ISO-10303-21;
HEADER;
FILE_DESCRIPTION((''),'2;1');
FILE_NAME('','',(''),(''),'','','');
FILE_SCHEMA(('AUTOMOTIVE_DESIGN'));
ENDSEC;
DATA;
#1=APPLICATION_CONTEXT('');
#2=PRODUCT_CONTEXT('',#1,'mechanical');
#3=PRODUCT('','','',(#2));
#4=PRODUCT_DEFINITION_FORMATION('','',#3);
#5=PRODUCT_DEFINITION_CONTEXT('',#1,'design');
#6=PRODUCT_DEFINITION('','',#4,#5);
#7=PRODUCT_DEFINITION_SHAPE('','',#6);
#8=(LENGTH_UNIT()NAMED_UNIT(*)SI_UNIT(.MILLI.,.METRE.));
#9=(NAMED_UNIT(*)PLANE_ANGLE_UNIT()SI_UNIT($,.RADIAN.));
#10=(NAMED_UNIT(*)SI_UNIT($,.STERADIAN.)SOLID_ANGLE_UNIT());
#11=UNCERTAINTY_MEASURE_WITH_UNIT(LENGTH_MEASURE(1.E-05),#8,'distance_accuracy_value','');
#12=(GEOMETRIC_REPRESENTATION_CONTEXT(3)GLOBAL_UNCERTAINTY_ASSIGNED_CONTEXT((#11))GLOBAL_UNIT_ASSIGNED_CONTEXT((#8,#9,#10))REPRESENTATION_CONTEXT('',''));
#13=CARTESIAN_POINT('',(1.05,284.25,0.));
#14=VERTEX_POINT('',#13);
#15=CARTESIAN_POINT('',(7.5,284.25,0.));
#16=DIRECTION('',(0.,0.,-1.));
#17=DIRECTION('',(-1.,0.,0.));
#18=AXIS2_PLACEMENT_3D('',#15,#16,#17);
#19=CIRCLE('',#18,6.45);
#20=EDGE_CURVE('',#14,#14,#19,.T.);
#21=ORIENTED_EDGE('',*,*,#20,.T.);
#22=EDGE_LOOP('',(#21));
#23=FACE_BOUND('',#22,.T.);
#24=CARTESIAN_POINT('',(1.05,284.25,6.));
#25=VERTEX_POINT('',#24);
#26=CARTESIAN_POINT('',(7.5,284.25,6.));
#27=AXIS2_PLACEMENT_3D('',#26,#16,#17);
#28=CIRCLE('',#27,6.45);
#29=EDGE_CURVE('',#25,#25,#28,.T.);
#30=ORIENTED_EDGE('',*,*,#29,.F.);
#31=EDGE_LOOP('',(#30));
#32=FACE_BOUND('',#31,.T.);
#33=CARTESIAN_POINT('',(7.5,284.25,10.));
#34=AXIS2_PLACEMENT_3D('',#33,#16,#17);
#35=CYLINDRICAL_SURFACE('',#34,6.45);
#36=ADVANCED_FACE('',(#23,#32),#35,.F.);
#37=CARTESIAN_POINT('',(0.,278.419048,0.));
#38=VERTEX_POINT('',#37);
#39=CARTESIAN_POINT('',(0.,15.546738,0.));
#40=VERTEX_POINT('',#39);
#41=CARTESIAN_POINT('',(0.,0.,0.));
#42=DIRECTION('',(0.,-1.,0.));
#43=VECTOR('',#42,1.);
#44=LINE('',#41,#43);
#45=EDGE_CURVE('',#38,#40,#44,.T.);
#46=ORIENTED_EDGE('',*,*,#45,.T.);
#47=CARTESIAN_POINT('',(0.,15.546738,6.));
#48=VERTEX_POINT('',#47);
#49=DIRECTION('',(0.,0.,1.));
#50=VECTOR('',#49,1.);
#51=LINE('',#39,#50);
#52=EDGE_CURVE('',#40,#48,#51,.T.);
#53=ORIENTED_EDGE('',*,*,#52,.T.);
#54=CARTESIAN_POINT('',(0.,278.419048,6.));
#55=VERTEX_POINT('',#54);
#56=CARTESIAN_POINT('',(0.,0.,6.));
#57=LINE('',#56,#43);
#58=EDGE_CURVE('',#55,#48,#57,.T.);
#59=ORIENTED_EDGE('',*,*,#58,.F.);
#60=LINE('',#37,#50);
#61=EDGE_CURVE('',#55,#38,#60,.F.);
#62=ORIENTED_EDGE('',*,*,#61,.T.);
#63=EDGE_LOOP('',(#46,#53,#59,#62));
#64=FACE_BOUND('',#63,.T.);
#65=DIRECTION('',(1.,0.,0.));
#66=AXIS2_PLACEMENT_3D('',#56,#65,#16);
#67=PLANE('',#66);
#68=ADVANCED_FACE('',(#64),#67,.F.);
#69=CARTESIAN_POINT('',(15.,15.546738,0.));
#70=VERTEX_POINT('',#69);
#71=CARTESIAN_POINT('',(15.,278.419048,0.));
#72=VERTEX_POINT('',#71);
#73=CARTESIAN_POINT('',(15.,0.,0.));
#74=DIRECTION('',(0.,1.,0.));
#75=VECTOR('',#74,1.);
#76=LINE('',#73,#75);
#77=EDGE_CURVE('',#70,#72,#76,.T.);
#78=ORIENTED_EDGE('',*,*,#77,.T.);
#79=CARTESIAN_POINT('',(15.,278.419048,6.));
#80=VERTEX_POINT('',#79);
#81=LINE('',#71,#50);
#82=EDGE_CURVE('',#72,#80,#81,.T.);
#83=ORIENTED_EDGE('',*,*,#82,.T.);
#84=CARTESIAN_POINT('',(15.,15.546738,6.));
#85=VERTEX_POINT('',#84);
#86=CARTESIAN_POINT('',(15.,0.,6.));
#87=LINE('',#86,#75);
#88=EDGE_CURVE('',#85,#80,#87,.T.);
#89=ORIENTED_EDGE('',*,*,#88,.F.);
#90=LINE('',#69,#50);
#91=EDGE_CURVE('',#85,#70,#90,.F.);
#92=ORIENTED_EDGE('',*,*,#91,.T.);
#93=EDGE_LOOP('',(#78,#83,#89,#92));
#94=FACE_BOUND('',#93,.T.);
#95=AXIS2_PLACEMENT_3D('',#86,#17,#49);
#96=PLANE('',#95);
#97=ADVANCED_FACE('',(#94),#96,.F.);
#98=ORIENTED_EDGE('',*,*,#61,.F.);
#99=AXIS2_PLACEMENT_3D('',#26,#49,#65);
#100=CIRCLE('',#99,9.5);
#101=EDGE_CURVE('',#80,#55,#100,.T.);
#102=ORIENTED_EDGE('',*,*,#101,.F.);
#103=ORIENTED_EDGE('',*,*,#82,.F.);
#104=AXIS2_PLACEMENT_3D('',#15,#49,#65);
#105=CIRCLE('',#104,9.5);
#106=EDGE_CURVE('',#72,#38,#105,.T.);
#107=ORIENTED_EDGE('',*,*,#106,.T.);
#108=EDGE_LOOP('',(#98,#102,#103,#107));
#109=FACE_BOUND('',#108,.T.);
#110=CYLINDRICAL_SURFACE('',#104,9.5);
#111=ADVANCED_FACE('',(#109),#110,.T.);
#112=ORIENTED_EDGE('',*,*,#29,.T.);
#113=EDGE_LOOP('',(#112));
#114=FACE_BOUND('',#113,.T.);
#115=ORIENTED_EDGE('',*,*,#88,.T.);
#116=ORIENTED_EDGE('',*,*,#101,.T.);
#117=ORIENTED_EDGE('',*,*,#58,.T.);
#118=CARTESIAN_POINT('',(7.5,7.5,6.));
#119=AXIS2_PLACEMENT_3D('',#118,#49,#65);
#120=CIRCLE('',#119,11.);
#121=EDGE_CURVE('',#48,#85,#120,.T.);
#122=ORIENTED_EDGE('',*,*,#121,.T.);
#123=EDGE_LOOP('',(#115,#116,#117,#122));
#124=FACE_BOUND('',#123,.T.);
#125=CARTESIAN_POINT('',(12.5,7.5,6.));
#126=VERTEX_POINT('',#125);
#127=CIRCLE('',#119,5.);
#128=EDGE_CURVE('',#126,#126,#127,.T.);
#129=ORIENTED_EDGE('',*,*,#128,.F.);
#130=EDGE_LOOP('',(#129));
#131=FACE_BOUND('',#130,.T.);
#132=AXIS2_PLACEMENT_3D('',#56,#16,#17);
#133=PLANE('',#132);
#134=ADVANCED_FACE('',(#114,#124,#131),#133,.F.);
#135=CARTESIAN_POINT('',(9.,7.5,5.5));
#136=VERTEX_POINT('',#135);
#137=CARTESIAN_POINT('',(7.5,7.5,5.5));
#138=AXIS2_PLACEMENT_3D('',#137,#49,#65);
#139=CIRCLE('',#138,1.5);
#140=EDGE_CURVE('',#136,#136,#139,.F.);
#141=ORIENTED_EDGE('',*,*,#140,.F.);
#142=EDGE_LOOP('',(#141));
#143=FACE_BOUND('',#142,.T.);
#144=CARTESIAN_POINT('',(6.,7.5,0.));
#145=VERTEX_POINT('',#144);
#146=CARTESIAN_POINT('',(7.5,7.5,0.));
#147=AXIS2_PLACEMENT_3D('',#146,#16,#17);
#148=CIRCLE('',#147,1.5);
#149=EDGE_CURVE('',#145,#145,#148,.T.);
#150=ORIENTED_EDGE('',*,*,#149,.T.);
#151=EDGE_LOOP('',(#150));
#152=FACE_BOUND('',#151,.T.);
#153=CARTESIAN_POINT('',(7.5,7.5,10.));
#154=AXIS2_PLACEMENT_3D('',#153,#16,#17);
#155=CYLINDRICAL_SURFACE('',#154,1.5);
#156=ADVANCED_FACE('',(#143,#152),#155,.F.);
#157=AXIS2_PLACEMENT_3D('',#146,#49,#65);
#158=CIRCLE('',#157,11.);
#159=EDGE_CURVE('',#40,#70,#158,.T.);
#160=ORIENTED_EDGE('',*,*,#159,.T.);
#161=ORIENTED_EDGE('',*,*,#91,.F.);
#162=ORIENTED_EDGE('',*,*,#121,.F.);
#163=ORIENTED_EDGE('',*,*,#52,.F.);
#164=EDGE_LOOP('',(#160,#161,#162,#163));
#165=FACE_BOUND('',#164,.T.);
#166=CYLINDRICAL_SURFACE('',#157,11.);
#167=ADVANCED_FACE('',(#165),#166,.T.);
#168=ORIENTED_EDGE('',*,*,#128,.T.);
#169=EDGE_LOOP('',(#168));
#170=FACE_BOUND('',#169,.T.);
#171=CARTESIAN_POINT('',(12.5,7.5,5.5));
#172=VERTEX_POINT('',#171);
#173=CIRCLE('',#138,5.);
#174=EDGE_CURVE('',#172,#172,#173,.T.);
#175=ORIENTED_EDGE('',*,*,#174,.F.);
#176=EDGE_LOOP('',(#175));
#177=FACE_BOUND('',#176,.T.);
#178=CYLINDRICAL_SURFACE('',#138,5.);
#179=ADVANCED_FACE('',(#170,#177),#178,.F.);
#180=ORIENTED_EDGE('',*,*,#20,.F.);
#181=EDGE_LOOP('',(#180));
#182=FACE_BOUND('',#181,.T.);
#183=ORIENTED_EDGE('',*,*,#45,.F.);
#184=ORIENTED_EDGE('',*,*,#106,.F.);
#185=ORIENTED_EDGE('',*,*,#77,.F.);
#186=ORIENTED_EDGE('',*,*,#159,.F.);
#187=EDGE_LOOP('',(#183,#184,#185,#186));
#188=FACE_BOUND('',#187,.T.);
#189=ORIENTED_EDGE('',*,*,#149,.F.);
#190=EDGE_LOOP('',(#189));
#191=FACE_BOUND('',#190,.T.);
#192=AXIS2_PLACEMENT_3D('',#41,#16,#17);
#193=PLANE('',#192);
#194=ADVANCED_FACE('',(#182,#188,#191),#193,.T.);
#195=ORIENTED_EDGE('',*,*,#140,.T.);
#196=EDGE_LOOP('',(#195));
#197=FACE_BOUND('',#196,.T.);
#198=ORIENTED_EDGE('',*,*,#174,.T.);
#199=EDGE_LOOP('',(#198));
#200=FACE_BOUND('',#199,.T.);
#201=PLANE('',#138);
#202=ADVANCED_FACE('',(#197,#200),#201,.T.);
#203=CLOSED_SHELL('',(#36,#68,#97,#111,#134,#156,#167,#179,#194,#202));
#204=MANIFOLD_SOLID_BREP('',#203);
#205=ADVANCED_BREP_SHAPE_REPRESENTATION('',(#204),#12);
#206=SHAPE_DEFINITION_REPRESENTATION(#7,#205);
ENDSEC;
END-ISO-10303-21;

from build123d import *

# Parameters (mm, degrees)
ESQUISSE1_W             = 15
ESQUISSE1_H             = 290
BOSS_EXTRU_1_DEPTH      = 6
ESQUISSE2_R             = 11
ESQUISSE2_R_2           = 9.5
BOSS_EXTRU_2_DEPTH      = 6
ESQUISSE3_R             = 1.5
ESQUISSE3_R_2           = 6.45
ENL_V_MAT_EXTRU_1_DEPTH = 10
ESQUISSE4_R             = 5
ENL_V_MAT_EXTRU_2_DEPTH = 0.5


with BuildPart() as part:
    # Esquisse1 → Boss.-Extru.1 (new body)
    with BuildSketch(Plane.XY):
        with Locations((7.5, 145)):
            Rectangle(ESQUISSE1_W, ESQUISSE1_H)
    extrude(amount=BOSS_EXTRU_1_DEPTH)

    # Esquisse2 → Boss.-Extru.2 (add)
    with BuildSketch(Plane.XY.offset(6)):
        with Locations((7.5, 7.5)):
            Circle(ESQUISSE2_R)
        with Locations((7.5, 284.25)):
            Circle(ESQUISSE2_R_2)
    extrude(amount=-BOSS_EXTRU_2_DEPTH)

    # Esquisse3 → Enlèv. mat.-Extru.1 (cut)
    with BuildSketch(Plane(origin=(0, 0, 0), x_dir=(-1, 0, 0), z_dir=(0, 0, -1))):
        with Locations((-7.5, 7.5)):
            Circle(ESQUISSE3_R)
        with Locations((-7.5, 284.25)):
            Circle(ESQUISSE3_R_2)
    extrude(amount=-ENL_V_MAT_EXTRU_1_DEPTH, mode=Mode.SUBTRACT)

    # Esquisse4 → Enlèv. mat.-Extru.2 (cut)
    with BuildSketch(Plane.XY.offset(6)):
        with Locations((7.5, 7.5)):
            Circle(ESQUISSE4_R)
    extrude(amount=-ENL_V_MAT_EXTRU_2_DEPTH, mode=Mode.SUBTRACT)


solid = part.part
